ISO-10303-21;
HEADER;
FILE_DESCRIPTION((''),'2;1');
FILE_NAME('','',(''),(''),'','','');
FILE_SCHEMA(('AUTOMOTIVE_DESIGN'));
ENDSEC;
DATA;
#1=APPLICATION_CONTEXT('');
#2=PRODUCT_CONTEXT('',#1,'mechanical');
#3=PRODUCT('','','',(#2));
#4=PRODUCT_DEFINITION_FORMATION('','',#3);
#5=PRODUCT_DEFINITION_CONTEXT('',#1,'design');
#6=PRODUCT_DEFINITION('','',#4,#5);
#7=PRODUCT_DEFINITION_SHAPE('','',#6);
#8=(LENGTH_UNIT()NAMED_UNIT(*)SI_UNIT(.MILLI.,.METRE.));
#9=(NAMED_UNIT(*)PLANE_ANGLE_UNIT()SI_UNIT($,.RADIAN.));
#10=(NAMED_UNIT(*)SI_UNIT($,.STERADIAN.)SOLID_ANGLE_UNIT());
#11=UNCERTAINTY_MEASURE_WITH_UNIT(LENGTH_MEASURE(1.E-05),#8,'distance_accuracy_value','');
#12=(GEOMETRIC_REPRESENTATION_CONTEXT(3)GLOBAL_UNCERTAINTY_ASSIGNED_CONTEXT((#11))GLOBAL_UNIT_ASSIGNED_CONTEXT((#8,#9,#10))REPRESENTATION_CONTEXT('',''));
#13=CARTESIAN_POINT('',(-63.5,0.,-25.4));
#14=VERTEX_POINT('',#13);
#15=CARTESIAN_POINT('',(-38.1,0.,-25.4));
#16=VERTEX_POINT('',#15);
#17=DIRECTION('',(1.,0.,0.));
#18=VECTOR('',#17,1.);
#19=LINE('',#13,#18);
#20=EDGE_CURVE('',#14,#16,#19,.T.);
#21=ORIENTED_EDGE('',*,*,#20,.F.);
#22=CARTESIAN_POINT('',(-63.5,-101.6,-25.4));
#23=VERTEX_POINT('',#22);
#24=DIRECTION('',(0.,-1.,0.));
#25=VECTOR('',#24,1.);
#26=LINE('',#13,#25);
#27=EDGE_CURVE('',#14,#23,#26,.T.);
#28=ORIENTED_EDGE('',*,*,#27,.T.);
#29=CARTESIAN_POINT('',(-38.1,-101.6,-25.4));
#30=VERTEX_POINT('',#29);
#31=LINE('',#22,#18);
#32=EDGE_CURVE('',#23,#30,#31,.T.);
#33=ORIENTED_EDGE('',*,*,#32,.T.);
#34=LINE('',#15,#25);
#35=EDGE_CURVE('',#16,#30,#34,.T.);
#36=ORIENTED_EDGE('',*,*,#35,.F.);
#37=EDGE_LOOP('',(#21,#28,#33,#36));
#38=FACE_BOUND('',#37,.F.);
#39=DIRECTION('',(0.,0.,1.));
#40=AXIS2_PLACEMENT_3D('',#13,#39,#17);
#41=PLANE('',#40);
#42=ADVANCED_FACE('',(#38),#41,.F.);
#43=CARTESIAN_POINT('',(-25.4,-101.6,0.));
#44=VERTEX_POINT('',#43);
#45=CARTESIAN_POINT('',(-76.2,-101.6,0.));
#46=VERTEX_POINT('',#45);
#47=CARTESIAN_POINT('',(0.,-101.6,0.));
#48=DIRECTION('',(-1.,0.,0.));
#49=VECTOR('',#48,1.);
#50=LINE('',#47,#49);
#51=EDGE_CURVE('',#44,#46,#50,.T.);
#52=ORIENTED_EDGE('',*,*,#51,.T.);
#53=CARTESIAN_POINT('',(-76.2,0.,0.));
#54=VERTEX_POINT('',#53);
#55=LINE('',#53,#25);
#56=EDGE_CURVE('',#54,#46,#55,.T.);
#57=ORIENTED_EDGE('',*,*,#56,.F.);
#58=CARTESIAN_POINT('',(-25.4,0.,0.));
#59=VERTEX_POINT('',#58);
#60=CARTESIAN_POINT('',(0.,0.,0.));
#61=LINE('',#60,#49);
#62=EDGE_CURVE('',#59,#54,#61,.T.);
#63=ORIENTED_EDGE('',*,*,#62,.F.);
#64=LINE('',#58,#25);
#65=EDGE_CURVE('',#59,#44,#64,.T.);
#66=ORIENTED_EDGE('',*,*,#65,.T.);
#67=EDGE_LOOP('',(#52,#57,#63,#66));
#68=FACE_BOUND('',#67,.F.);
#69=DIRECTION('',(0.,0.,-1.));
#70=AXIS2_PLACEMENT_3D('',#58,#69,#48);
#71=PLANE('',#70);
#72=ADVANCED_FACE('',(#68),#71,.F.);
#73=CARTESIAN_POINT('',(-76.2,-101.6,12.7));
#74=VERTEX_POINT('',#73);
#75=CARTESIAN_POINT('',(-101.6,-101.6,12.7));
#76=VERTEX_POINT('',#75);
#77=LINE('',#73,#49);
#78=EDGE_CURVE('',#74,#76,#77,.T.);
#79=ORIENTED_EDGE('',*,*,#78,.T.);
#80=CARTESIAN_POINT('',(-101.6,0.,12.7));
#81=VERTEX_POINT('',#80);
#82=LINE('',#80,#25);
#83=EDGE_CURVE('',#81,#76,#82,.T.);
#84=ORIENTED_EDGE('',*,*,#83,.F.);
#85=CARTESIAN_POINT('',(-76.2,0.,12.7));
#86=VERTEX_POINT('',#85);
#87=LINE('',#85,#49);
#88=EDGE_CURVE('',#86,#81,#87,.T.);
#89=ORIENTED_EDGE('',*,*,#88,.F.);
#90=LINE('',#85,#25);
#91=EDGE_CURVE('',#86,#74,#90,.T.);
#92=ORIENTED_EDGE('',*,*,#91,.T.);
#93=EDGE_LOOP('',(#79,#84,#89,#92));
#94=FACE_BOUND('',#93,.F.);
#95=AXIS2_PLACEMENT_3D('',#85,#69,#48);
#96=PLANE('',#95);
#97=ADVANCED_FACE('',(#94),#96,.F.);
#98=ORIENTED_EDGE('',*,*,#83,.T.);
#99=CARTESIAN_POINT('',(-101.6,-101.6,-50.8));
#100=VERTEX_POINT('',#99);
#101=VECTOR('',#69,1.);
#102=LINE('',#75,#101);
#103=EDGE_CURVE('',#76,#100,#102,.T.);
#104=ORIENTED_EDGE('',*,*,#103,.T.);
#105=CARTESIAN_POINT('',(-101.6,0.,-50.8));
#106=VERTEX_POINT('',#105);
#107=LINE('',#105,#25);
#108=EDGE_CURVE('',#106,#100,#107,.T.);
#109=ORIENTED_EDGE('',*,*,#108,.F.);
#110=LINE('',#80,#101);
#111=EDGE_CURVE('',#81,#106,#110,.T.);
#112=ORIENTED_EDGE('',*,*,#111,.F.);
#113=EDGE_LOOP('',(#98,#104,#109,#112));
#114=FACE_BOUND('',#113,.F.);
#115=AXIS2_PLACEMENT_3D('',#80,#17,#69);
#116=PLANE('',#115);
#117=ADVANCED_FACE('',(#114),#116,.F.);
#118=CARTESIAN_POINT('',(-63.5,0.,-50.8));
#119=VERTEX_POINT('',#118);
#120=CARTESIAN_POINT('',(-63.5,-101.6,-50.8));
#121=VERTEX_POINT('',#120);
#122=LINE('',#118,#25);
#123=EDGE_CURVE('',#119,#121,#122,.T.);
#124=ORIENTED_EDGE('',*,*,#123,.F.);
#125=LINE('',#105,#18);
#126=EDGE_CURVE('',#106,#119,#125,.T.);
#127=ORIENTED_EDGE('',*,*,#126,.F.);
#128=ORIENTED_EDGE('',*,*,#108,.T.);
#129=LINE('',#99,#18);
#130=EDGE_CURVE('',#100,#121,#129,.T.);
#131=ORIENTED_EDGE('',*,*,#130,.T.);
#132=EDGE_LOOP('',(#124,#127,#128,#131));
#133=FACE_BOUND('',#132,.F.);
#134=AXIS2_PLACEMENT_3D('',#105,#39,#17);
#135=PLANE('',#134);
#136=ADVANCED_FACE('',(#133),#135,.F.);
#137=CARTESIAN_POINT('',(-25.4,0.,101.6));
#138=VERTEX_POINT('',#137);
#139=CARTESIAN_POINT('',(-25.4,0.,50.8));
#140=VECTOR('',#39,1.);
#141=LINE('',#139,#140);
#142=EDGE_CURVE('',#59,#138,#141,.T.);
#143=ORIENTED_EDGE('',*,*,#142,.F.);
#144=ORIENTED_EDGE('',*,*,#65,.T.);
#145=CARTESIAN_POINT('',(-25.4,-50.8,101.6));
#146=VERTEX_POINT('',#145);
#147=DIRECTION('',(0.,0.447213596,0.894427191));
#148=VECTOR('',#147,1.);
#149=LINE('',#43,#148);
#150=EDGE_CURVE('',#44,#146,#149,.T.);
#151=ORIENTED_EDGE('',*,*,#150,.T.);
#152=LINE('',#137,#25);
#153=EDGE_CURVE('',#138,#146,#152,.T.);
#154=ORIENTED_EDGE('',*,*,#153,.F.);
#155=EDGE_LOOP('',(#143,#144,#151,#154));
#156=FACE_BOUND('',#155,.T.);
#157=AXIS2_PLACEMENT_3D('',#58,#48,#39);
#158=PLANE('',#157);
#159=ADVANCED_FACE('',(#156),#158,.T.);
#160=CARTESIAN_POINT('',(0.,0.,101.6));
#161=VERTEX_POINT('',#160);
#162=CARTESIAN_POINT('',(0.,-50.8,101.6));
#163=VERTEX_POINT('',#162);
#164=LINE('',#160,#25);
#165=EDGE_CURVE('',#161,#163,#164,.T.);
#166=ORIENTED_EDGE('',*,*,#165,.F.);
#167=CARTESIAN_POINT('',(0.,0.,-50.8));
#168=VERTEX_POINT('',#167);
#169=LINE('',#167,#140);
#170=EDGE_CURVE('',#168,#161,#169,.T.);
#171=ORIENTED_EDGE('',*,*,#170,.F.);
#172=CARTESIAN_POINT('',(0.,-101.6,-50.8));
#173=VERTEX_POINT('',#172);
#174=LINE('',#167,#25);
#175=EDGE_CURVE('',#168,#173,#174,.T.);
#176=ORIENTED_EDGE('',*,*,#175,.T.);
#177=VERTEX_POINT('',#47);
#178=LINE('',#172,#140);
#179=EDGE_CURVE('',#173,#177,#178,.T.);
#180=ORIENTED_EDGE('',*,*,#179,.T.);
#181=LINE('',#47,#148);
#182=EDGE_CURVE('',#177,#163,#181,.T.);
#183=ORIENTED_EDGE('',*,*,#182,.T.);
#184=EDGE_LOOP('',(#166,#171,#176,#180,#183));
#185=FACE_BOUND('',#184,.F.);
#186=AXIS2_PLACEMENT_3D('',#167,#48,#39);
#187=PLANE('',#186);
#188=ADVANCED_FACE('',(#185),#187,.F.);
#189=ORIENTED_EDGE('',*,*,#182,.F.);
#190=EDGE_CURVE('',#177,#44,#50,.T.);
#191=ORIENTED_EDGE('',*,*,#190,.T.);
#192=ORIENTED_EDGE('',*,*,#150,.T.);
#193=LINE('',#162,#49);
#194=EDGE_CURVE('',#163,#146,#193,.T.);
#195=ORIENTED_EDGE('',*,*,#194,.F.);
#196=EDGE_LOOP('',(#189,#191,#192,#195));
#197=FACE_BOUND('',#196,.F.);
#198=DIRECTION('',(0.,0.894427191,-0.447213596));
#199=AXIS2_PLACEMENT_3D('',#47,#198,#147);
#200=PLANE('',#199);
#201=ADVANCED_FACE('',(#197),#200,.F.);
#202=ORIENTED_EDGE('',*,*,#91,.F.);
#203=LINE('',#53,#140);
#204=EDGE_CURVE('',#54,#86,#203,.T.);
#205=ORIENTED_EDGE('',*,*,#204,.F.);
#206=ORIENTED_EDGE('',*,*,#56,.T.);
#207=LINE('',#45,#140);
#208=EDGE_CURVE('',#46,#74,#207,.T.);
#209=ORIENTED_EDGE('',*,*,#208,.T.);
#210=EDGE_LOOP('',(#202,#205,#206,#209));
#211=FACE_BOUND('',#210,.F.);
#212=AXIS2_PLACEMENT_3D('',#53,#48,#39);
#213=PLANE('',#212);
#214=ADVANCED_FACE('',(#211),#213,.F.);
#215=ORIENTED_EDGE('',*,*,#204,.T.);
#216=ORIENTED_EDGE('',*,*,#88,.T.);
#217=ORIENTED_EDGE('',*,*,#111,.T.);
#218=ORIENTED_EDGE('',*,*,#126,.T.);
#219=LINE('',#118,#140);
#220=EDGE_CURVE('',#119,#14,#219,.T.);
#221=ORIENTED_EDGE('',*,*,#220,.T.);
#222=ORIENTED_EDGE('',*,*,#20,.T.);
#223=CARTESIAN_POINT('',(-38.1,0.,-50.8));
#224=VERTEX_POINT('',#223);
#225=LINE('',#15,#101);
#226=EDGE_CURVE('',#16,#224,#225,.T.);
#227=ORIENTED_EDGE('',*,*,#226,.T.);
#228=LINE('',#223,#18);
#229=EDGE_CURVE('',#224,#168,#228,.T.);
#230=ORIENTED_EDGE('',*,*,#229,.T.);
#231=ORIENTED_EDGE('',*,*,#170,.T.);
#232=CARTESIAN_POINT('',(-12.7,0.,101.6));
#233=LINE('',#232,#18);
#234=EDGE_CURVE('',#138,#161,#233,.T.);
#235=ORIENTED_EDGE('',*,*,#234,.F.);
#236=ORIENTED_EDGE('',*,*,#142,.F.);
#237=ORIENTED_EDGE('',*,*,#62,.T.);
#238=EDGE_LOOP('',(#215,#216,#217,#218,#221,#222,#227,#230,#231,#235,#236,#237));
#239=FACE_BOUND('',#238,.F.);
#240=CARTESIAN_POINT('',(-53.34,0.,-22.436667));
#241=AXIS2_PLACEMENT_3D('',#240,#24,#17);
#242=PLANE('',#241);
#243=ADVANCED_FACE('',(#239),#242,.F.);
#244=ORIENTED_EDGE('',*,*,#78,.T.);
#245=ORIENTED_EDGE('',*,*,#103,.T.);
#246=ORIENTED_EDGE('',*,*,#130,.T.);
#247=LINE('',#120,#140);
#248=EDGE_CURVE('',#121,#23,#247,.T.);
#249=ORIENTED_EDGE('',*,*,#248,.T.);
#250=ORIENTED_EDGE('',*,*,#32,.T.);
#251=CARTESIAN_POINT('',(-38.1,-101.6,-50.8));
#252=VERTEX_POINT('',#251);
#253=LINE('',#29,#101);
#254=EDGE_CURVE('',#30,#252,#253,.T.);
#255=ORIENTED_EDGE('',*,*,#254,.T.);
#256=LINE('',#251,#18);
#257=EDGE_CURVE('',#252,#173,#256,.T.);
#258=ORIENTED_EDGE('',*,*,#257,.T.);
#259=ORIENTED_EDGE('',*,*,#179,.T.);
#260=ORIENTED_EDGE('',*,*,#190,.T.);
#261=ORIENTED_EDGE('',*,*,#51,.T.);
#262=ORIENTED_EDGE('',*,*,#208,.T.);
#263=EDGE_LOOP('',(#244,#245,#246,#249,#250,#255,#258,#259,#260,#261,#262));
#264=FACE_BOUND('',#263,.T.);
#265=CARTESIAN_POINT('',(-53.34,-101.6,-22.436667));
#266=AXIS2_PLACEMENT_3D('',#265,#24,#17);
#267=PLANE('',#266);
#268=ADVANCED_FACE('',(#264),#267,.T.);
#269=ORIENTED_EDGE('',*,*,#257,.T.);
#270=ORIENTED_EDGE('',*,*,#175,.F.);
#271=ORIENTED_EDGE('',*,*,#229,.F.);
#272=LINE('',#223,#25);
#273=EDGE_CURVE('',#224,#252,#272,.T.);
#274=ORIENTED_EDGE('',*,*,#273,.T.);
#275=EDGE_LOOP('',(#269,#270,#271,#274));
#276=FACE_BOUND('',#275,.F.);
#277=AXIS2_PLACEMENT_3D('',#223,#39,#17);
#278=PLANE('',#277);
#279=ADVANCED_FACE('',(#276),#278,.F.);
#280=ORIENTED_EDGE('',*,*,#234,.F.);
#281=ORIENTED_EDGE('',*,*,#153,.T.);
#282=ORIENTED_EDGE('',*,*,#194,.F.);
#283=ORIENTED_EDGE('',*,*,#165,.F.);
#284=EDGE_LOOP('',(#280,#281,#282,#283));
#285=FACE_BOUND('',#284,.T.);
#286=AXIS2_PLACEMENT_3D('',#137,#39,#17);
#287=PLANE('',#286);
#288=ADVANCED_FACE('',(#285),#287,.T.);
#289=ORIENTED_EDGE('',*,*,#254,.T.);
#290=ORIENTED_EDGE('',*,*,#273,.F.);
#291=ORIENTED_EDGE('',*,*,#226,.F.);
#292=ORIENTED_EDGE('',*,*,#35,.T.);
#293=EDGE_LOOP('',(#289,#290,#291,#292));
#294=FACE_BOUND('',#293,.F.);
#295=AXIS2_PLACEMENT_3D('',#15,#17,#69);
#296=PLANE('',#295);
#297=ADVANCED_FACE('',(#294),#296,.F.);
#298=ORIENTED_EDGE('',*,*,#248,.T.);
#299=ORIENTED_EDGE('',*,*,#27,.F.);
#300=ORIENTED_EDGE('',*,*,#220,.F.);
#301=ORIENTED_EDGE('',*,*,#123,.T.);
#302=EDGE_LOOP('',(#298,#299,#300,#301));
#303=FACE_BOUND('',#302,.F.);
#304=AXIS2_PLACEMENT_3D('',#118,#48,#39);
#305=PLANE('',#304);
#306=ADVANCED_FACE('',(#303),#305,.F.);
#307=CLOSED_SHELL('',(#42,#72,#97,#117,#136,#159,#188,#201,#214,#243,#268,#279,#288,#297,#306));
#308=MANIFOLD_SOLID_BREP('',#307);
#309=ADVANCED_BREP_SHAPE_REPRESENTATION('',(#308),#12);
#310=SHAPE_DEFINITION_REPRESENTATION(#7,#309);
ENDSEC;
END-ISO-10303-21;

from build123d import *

# Parameters (mm, degrees)
F0_W     = 25.4
F0_H     = 101.6
F1_DEPTH = 101.6
F3_DEPTH = 25.4


with BuildPart() as f1:
    # F0 (on Front) → F1 (new body)
    with BuildSketch(Plane.XZ):
        Polygon((0, -50.8), (0, 0), (-25.4, 0), (-76.2, 0), (-76.2, 12.7), (-101.6, 12.7), (-101.6, -50.8), (-63.5, -50.8), (-63.5, -25.4), (-38.1, -25.4), (-38.1, -50.8), align=None)
        with Locations((-12.7, 50.8)):
            Rectangle(F0_W, F0_H)
    extrude(amount=F1_DEPTH)

    # F2 (on face) → F3 (cut)
    with BuildSketch(Plane.YZ):
        Polygon((-101.6, 0), (-50.8, 101.6), (-101.6, 101.6), align=None)
    extrude(amount=-F3_DEPTH, mode=Mode.SUBTRACT)


solid = f1.part
